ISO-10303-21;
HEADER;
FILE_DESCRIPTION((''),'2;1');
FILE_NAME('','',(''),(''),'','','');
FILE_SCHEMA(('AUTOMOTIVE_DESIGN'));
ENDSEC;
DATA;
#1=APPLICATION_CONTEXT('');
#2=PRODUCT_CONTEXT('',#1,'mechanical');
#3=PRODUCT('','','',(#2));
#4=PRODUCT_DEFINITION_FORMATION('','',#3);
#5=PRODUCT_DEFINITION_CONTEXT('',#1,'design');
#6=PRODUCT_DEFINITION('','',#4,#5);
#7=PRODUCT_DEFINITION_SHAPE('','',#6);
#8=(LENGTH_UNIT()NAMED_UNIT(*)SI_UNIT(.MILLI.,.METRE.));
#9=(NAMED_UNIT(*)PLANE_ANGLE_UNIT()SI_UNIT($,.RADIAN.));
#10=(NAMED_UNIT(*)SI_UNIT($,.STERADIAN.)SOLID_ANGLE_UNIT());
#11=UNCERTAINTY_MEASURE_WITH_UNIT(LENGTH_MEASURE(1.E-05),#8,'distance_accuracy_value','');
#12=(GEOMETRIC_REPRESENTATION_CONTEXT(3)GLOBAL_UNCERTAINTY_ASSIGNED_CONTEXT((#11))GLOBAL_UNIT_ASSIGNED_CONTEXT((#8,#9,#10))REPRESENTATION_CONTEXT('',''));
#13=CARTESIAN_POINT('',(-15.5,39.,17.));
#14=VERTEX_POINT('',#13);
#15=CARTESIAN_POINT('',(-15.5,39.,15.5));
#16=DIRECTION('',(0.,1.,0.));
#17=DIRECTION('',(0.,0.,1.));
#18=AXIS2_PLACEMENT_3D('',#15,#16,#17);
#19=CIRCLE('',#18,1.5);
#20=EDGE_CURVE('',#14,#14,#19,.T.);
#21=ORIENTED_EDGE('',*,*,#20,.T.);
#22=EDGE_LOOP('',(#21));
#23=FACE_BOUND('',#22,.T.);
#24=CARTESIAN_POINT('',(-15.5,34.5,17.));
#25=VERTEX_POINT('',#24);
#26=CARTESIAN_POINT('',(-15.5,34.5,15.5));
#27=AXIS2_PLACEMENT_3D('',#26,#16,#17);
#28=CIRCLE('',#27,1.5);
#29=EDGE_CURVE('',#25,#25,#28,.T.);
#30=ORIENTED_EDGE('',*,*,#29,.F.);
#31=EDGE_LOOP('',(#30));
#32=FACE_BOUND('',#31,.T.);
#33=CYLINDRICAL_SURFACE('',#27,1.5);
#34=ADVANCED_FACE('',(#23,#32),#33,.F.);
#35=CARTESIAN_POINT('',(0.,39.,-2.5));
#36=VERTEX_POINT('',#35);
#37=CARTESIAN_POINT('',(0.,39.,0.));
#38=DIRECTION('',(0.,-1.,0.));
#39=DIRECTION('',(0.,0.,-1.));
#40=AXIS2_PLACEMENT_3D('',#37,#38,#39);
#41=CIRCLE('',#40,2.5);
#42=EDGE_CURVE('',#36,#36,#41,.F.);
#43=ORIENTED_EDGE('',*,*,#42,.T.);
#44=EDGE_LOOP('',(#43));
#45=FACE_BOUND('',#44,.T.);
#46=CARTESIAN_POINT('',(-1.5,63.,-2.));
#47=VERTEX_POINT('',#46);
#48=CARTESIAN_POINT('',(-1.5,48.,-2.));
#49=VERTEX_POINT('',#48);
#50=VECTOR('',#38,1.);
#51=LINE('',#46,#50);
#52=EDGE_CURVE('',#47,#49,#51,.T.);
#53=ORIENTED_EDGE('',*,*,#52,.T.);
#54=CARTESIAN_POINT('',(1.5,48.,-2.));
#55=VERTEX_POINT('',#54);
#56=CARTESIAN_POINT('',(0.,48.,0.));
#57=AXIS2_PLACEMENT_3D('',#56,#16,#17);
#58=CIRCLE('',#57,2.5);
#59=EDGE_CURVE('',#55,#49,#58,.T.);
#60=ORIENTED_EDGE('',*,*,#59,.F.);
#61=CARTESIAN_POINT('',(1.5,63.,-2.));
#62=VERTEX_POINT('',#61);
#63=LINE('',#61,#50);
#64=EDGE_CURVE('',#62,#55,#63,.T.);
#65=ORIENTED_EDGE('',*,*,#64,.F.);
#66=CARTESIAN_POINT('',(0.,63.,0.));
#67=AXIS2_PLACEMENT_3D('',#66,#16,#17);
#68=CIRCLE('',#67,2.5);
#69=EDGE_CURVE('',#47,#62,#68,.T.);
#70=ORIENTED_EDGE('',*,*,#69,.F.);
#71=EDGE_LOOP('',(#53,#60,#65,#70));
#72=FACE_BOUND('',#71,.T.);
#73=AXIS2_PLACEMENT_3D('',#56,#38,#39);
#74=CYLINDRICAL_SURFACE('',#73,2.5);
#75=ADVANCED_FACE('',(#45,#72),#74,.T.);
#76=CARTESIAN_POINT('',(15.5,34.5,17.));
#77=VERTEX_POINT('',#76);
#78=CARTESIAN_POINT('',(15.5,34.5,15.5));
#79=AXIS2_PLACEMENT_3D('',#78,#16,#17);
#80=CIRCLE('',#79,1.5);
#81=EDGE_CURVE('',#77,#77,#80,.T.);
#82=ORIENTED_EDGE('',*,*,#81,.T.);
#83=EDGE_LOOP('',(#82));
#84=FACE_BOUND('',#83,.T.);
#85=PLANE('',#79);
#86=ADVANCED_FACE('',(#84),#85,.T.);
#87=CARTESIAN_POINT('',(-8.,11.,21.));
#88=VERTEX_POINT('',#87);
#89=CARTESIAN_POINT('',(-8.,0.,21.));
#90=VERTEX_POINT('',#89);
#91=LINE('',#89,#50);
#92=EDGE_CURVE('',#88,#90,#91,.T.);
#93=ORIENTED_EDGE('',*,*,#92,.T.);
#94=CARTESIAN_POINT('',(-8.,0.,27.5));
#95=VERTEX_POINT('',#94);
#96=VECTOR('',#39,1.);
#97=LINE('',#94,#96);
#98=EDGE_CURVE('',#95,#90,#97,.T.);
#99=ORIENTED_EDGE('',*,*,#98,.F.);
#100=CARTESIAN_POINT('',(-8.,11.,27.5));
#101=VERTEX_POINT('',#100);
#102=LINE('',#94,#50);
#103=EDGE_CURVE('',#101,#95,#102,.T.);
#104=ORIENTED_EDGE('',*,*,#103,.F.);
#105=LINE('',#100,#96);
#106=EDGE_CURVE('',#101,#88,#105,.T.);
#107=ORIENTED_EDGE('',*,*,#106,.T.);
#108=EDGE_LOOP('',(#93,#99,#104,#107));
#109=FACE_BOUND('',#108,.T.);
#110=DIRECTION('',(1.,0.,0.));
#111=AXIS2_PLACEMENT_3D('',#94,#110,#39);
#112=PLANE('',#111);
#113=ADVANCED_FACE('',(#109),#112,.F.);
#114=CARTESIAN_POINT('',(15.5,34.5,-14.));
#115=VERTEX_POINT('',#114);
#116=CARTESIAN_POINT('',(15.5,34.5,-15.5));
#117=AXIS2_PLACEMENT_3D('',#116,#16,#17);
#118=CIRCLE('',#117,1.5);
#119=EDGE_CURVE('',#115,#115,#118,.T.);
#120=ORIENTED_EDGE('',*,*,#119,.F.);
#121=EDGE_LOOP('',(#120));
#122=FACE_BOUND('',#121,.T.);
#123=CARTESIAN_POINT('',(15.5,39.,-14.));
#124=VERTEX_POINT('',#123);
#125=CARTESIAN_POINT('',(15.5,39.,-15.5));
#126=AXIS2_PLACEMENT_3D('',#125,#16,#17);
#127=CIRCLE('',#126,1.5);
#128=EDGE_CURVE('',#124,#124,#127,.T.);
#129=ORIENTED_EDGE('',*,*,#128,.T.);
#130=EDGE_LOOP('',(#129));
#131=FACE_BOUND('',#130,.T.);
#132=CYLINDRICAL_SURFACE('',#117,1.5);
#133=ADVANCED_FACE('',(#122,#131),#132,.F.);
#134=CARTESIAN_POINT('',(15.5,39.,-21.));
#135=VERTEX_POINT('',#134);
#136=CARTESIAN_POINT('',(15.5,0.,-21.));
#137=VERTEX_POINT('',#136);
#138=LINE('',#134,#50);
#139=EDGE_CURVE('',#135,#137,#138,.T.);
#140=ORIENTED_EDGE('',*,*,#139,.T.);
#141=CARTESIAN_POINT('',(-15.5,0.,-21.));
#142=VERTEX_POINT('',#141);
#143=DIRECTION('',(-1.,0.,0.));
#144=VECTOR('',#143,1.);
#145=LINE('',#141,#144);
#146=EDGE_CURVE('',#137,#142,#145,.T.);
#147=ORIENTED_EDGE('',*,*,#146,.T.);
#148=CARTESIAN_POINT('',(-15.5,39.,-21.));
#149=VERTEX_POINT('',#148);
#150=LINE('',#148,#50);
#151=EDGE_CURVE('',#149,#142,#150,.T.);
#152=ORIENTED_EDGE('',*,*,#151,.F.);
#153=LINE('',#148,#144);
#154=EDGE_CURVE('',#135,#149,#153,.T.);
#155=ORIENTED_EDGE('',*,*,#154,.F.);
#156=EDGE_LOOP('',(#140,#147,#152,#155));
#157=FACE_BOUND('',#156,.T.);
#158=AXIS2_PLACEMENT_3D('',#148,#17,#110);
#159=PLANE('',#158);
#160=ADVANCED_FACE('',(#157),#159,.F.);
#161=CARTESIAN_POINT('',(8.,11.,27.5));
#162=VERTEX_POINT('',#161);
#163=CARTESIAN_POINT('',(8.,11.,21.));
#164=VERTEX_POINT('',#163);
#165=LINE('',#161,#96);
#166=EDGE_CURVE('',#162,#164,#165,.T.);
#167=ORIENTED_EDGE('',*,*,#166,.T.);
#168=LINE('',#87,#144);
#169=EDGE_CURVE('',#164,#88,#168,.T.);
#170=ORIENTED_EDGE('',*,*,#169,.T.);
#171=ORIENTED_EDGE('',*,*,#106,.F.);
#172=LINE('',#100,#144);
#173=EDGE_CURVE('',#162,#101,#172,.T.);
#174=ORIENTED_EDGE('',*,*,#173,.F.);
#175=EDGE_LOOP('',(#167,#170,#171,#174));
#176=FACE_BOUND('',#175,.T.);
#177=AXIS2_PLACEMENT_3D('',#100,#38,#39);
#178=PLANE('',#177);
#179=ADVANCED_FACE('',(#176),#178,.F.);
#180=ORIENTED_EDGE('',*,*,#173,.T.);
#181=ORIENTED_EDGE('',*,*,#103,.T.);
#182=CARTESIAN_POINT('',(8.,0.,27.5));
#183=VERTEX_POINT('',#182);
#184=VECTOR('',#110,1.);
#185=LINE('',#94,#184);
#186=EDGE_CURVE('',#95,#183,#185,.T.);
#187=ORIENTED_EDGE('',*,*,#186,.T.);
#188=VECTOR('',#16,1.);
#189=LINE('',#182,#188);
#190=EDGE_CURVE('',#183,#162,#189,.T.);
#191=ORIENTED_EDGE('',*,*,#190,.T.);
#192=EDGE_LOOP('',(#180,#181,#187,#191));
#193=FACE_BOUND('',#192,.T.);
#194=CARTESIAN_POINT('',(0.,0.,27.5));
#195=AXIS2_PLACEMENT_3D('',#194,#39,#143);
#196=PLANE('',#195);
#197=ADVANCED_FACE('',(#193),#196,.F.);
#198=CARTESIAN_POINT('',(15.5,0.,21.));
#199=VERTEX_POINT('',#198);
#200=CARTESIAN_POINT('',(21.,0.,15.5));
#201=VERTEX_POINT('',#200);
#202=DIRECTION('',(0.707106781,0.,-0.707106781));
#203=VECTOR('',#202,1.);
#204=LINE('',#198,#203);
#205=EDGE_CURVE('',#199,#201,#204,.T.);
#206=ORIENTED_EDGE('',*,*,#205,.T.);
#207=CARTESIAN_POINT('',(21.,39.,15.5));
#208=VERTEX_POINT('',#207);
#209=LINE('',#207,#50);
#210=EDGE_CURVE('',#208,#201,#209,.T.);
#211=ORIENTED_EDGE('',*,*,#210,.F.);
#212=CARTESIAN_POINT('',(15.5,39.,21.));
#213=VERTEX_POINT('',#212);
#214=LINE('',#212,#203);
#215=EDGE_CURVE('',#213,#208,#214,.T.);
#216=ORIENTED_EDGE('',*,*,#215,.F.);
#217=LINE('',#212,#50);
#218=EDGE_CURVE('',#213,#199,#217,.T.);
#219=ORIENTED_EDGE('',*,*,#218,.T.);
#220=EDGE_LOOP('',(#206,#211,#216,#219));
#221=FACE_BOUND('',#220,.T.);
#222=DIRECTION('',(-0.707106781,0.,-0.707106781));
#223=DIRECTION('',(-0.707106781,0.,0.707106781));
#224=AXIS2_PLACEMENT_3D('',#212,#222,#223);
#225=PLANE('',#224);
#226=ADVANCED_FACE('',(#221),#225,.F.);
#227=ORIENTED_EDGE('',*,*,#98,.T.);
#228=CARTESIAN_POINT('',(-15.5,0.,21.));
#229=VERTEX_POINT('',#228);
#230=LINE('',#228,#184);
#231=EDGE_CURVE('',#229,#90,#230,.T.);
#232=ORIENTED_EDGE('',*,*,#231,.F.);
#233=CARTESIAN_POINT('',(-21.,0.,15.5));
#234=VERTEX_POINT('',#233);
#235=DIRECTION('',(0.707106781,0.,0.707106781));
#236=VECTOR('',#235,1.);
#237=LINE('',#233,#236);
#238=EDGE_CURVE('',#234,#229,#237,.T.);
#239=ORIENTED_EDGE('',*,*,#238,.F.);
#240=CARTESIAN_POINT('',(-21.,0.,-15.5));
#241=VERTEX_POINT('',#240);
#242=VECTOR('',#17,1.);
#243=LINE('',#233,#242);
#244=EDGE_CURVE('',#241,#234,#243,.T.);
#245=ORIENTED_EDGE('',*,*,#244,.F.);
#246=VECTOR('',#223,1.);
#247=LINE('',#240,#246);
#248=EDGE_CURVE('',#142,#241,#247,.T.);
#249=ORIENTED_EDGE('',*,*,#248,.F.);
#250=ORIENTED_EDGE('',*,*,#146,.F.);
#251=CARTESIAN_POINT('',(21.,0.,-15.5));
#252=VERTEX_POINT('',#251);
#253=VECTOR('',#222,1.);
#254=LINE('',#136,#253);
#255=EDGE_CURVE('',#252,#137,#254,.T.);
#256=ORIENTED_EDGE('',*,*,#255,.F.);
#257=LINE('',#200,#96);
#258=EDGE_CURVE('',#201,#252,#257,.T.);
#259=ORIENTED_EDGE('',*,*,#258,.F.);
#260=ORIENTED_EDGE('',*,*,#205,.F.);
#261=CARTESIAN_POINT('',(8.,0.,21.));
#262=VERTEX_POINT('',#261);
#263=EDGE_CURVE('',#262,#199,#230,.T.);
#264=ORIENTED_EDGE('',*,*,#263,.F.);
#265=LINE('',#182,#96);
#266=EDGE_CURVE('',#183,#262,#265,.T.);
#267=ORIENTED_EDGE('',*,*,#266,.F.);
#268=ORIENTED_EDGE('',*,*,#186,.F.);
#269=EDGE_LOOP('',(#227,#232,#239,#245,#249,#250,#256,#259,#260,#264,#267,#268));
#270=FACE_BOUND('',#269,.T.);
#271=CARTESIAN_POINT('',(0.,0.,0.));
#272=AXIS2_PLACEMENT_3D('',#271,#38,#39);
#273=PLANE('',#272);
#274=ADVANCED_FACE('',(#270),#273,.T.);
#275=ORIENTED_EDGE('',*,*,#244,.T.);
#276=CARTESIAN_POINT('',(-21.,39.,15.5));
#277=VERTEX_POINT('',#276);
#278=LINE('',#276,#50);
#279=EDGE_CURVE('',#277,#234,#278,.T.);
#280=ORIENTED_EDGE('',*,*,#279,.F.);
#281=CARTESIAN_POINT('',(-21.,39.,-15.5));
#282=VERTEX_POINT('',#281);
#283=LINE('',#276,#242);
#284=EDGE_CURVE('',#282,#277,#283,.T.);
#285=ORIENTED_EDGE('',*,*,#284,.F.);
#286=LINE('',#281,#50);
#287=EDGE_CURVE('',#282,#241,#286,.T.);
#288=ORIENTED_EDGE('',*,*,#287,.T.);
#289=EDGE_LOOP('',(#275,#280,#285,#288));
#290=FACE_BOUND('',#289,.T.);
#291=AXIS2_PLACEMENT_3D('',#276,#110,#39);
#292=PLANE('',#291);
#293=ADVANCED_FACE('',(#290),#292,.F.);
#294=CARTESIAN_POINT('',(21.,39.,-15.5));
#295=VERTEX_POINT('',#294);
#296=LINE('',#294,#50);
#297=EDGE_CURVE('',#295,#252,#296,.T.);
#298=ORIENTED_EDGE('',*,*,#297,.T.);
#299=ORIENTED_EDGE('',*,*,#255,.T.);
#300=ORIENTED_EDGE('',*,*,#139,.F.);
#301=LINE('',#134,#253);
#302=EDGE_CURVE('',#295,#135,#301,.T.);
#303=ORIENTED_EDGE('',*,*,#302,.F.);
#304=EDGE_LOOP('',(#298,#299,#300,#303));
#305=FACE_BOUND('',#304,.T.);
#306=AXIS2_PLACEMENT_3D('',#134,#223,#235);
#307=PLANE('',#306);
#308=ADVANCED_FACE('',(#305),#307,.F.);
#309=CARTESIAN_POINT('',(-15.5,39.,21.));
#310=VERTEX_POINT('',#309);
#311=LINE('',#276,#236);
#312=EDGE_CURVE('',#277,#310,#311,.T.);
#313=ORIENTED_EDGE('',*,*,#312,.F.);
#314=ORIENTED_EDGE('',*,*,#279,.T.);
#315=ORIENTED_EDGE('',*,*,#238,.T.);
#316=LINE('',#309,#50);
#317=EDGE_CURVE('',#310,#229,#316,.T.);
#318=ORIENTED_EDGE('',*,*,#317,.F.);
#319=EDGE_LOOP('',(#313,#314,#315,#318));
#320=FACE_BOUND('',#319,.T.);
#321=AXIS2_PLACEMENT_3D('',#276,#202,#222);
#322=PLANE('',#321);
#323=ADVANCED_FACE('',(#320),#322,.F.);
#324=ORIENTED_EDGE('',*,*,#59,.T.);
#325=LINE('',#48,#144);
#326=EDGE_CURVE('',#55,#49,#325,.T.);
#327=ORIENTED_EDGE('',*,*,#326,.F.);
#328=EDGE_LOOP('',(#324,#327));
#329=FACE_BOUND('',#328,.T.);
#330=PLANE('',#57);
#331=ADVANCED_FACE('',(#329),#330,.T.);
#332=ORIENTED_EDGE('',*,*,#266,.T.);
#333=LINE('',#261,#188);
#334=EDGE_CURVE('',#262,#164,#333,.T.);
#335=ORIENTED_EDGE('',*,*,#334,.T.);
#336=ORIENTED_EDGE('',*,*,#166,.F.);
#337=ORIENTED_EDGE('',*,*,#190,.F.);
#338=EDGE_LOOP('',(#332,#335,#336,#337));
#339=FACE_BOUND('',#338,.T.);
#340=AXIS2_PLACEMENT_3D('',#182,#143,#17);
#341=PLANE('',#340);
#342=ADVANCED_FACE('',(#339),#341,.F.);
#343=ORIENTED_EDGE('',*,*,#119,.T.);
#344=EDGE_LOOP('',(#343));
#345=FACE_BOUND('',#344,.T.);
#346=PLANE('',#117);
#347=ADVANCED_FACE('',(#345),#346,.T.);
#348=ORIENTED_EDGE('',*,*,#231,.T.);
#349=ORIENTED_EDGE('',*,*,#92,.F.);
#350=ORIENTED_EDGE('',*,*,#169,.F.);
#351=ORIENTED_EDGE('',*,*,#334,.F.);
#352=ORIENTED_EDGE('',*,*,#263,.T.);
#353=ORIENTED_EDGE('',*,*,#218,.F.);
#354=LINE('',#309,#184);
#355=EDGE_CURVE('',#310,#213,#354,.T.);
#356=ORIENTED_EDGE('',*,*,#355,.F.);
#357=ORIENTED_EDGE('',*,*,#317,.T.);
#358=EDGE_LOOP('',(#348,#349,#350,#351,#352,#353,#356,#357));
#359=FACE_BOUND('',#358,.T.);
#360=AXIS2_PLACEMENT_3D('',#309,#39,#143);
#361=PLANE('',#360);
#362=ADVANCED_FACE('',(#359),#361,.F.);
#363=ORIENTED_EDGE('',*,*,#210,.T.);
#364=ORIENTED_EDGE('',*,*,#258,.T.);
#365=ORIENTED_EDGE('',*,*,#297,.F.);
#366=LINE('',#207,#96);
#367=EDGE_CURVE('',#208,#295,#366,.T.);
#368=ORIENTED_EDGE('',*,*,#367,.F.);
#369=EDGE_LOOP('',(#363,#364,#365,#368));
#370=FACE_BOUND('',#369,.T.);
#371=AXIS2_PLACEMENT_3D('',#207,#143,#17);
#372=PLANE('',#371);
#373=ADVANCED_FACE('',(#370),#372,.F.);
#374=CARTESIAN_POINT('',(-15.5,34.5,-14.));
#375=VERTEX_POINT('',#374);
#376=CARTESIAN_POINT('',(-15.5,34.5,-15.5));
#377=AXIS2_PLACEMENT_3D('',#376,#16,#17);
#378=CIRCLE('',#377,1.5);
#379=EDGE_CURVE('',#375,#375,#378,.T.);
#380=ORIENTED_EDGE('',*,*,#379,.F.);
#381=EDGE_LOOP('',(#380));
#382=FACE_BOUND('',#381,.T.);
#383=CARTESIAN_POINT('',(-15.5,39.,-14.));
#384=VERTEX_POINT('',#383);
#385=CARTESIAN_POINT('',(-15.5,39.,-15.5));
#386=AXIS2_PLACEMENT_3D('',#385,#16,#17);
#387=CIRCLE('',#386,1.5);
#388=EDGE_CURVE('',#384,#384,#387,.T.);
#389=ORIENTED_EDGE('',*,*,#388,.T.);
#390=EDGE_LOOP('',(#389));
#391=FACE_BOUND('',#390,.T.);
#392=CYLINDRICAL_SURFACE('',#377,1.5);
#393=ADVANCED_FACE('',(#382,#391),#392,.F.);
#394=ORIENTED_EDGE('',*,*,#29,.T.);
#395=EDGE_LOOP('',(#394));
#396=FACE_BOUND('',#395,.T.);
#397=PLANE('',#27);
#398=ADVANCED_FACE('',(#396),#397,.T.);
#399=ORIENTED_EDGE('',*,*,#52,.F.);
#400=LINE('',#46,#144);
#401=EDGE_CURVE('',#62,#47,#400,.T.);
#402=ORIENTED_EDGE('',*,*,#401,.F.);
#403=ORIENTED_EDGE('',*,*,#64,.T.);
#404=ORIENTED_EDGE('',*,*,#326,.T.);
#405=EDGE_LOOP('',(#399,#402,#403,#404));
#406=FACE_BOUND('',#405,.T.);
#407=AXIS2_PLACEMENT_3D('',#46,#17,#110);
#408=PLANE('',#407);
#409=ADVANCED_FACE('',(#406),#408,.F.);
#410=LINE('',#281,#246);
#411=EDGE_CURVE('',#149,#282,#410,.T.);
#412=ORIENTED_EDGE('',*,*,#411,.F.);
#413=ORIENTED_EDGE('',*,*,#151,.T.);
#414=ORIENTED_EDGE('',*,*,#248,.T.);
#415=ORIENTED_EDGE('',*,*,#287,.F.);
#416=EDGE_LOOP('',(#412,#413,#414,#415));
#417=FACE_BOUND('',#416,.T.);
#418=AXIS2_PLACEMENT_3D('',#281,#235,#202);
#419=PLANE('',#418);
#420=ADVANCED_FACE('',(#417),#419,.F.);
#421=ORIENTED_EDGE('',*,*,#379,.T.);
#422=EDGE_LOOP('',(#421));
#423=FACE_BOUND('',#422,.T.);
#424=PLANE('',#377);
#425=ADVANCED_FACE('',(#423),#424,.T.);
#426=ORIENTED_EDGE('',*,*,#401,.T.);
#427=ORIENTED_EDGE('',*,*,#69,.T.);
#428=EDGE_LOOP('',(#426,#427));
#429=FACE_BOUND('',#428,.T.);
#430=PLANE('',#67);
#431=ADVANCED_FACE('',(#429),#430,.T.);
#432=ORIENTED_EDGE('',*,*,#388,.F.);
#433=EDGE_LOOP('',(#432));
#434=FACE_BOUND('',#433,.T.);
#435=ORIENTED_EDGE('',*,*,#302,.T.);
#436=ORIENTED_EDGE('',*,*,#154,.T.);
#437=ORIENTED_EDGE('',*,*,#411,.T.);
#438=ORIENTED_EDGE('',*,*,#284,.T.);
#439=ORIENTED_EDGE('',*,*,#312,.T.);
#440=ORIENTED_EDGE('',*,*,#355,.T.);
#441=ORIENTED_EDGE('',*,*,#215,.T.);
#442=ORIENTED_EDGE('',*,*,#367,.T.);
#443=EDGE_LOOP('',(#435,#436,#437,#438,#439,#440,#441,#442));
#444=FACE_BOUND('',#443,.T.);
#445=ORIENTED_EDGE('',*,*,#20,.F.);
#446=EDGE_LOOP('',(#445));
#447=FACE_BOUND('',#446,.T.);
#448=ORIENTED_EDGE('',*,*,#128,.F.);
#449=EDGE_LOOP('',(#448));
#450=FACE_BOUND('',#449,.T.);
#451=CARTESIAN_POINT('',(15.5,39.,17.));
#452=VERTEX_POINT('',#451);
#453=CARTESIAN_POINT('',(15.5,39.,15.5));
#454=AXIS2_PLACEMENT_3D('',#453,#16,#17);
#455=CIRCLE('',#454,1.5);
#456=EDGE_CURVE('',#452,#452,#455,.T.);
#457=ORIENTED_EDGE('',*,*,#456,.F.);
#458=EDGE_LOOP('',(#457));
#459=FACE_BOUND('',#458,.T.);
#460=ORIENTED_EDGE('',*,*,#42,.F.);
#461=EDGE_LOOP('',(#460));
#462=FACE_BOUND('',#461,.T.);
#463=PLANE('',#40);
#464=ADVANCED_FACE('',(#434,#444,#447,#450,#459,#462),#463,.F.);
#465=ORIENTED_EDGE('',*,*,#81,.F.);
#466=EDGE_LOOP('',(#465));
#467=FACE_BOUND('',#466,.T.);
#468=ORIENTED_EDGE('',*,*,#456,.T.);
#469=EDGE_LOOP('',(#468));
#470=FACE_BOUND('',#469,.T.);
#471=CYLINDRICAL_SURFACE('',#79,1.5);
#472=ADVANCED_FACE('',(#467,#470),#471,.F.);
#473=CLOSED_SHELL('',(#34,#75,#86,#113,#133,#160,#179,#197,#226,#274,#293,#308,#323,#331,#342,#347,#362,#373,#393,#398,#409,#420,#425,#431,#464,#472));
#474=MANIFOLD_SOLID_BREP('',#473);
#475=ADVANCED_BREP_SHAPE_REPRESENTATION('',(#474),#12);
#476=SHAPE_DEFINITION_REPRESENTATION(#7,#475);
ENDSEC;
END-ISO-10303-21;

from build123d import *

# Parameters (mm, degrees)
BOSS_EXTRUDE1_DEPTH = 39
SKETCH2_R           = 2.5
BOSS_EXTRUDE2_DEPTH = 9
BOSS_EXTRUDE3_DEPTH = 15
SKETCH4_R           = 1.5
CUT_EXTRUDE1_DEPTH  = 4.5
SKETCH5_W           = 16
SKETCH5_H           = 11
BOSS_EXTRUDE4_DEPTH = 6.5


with BuildPart() as part:
    # Sketch1 → Boss-Extrude1 (new body)
    with BuildSketch(Plane(origin=(0, 0, 0), x_dir=(1, 0, 0), z_dir=(0, 1, 0))):
        Polygon((-21, 15.5), (-15.5, 21), (15.5, 21), (21, 15.5), (21, -15.5), (15.5, -21), (-15.5, -21), (-21, -15.5), align=None)
    extrude(amount=BOSS_EXTRUDE1_DEPTH)

    # Sketch2 → Boss-Extrude2 (add)
    with BuildSketch(Plane(origin=(0, 39, 0), x_dir=(1, 0, 0), z_dir=(0, 1, 0))):
        with Locations(Location((0, 0, 0), (0, 0, 90))):
            Circle(SKETCH2_R)
    extrude(amount=BOSS_EXTRUDE2_DEPTH)

    # Sketch3 → Boss-Extrude3 (add)
    with BuildSketch(Plane(origin=(0, 48, 0), x_dir=(1, 0, 0), z_dir=(0, 1, 0))):
        with BuildLine():
            Line((-1.5, 2), (1.5, 2))
            ThreePointArc((1.5, 2), (0, -2.5), (-1.5, 2))
        make_face()
    extrude(amount=BOSS_EXTRUDE3_DEPTH)

    # Sketch4 → Cut-Extrude1 (cut)
    with BuildSketch(Plane(origin=(0, 39, 0), x_dir=(1, 0, 0), z_dir=(0, 1, 0))):
        with Locations(Location((-15.5, 15.5, 0), (0, 0, 270))):
            Circle(SKETCH4_R)
        with Locations(Location((15.5, 15.5, 0), (0, 0, 270))):
            Circle(SKETCH4_R)
        with Locations(Location((15.5, -15.5, 0), (0, 0, 270))):
            Circle(SKETCH4_R)
        with Locations(Location((-15.5, -15.5, 0), (0, 0, 270))):
            Circle(SKETCH4_R)
    extrude(amount=-CUT_EXTRUDE1_DEPTH, mode=Mode.SUBTRACT)

    # Sketch5 → Boss-Extrude4 (add)
    with BuildSketch(Plane.XY.offset(21)):
        with Locations((0, 5.5)):
            Rectangle(SKETCH5_W, SKETCH5_H)
    extrude(amount=BOSS_EXTRUDE4_DEPTH)


solid = part.part
